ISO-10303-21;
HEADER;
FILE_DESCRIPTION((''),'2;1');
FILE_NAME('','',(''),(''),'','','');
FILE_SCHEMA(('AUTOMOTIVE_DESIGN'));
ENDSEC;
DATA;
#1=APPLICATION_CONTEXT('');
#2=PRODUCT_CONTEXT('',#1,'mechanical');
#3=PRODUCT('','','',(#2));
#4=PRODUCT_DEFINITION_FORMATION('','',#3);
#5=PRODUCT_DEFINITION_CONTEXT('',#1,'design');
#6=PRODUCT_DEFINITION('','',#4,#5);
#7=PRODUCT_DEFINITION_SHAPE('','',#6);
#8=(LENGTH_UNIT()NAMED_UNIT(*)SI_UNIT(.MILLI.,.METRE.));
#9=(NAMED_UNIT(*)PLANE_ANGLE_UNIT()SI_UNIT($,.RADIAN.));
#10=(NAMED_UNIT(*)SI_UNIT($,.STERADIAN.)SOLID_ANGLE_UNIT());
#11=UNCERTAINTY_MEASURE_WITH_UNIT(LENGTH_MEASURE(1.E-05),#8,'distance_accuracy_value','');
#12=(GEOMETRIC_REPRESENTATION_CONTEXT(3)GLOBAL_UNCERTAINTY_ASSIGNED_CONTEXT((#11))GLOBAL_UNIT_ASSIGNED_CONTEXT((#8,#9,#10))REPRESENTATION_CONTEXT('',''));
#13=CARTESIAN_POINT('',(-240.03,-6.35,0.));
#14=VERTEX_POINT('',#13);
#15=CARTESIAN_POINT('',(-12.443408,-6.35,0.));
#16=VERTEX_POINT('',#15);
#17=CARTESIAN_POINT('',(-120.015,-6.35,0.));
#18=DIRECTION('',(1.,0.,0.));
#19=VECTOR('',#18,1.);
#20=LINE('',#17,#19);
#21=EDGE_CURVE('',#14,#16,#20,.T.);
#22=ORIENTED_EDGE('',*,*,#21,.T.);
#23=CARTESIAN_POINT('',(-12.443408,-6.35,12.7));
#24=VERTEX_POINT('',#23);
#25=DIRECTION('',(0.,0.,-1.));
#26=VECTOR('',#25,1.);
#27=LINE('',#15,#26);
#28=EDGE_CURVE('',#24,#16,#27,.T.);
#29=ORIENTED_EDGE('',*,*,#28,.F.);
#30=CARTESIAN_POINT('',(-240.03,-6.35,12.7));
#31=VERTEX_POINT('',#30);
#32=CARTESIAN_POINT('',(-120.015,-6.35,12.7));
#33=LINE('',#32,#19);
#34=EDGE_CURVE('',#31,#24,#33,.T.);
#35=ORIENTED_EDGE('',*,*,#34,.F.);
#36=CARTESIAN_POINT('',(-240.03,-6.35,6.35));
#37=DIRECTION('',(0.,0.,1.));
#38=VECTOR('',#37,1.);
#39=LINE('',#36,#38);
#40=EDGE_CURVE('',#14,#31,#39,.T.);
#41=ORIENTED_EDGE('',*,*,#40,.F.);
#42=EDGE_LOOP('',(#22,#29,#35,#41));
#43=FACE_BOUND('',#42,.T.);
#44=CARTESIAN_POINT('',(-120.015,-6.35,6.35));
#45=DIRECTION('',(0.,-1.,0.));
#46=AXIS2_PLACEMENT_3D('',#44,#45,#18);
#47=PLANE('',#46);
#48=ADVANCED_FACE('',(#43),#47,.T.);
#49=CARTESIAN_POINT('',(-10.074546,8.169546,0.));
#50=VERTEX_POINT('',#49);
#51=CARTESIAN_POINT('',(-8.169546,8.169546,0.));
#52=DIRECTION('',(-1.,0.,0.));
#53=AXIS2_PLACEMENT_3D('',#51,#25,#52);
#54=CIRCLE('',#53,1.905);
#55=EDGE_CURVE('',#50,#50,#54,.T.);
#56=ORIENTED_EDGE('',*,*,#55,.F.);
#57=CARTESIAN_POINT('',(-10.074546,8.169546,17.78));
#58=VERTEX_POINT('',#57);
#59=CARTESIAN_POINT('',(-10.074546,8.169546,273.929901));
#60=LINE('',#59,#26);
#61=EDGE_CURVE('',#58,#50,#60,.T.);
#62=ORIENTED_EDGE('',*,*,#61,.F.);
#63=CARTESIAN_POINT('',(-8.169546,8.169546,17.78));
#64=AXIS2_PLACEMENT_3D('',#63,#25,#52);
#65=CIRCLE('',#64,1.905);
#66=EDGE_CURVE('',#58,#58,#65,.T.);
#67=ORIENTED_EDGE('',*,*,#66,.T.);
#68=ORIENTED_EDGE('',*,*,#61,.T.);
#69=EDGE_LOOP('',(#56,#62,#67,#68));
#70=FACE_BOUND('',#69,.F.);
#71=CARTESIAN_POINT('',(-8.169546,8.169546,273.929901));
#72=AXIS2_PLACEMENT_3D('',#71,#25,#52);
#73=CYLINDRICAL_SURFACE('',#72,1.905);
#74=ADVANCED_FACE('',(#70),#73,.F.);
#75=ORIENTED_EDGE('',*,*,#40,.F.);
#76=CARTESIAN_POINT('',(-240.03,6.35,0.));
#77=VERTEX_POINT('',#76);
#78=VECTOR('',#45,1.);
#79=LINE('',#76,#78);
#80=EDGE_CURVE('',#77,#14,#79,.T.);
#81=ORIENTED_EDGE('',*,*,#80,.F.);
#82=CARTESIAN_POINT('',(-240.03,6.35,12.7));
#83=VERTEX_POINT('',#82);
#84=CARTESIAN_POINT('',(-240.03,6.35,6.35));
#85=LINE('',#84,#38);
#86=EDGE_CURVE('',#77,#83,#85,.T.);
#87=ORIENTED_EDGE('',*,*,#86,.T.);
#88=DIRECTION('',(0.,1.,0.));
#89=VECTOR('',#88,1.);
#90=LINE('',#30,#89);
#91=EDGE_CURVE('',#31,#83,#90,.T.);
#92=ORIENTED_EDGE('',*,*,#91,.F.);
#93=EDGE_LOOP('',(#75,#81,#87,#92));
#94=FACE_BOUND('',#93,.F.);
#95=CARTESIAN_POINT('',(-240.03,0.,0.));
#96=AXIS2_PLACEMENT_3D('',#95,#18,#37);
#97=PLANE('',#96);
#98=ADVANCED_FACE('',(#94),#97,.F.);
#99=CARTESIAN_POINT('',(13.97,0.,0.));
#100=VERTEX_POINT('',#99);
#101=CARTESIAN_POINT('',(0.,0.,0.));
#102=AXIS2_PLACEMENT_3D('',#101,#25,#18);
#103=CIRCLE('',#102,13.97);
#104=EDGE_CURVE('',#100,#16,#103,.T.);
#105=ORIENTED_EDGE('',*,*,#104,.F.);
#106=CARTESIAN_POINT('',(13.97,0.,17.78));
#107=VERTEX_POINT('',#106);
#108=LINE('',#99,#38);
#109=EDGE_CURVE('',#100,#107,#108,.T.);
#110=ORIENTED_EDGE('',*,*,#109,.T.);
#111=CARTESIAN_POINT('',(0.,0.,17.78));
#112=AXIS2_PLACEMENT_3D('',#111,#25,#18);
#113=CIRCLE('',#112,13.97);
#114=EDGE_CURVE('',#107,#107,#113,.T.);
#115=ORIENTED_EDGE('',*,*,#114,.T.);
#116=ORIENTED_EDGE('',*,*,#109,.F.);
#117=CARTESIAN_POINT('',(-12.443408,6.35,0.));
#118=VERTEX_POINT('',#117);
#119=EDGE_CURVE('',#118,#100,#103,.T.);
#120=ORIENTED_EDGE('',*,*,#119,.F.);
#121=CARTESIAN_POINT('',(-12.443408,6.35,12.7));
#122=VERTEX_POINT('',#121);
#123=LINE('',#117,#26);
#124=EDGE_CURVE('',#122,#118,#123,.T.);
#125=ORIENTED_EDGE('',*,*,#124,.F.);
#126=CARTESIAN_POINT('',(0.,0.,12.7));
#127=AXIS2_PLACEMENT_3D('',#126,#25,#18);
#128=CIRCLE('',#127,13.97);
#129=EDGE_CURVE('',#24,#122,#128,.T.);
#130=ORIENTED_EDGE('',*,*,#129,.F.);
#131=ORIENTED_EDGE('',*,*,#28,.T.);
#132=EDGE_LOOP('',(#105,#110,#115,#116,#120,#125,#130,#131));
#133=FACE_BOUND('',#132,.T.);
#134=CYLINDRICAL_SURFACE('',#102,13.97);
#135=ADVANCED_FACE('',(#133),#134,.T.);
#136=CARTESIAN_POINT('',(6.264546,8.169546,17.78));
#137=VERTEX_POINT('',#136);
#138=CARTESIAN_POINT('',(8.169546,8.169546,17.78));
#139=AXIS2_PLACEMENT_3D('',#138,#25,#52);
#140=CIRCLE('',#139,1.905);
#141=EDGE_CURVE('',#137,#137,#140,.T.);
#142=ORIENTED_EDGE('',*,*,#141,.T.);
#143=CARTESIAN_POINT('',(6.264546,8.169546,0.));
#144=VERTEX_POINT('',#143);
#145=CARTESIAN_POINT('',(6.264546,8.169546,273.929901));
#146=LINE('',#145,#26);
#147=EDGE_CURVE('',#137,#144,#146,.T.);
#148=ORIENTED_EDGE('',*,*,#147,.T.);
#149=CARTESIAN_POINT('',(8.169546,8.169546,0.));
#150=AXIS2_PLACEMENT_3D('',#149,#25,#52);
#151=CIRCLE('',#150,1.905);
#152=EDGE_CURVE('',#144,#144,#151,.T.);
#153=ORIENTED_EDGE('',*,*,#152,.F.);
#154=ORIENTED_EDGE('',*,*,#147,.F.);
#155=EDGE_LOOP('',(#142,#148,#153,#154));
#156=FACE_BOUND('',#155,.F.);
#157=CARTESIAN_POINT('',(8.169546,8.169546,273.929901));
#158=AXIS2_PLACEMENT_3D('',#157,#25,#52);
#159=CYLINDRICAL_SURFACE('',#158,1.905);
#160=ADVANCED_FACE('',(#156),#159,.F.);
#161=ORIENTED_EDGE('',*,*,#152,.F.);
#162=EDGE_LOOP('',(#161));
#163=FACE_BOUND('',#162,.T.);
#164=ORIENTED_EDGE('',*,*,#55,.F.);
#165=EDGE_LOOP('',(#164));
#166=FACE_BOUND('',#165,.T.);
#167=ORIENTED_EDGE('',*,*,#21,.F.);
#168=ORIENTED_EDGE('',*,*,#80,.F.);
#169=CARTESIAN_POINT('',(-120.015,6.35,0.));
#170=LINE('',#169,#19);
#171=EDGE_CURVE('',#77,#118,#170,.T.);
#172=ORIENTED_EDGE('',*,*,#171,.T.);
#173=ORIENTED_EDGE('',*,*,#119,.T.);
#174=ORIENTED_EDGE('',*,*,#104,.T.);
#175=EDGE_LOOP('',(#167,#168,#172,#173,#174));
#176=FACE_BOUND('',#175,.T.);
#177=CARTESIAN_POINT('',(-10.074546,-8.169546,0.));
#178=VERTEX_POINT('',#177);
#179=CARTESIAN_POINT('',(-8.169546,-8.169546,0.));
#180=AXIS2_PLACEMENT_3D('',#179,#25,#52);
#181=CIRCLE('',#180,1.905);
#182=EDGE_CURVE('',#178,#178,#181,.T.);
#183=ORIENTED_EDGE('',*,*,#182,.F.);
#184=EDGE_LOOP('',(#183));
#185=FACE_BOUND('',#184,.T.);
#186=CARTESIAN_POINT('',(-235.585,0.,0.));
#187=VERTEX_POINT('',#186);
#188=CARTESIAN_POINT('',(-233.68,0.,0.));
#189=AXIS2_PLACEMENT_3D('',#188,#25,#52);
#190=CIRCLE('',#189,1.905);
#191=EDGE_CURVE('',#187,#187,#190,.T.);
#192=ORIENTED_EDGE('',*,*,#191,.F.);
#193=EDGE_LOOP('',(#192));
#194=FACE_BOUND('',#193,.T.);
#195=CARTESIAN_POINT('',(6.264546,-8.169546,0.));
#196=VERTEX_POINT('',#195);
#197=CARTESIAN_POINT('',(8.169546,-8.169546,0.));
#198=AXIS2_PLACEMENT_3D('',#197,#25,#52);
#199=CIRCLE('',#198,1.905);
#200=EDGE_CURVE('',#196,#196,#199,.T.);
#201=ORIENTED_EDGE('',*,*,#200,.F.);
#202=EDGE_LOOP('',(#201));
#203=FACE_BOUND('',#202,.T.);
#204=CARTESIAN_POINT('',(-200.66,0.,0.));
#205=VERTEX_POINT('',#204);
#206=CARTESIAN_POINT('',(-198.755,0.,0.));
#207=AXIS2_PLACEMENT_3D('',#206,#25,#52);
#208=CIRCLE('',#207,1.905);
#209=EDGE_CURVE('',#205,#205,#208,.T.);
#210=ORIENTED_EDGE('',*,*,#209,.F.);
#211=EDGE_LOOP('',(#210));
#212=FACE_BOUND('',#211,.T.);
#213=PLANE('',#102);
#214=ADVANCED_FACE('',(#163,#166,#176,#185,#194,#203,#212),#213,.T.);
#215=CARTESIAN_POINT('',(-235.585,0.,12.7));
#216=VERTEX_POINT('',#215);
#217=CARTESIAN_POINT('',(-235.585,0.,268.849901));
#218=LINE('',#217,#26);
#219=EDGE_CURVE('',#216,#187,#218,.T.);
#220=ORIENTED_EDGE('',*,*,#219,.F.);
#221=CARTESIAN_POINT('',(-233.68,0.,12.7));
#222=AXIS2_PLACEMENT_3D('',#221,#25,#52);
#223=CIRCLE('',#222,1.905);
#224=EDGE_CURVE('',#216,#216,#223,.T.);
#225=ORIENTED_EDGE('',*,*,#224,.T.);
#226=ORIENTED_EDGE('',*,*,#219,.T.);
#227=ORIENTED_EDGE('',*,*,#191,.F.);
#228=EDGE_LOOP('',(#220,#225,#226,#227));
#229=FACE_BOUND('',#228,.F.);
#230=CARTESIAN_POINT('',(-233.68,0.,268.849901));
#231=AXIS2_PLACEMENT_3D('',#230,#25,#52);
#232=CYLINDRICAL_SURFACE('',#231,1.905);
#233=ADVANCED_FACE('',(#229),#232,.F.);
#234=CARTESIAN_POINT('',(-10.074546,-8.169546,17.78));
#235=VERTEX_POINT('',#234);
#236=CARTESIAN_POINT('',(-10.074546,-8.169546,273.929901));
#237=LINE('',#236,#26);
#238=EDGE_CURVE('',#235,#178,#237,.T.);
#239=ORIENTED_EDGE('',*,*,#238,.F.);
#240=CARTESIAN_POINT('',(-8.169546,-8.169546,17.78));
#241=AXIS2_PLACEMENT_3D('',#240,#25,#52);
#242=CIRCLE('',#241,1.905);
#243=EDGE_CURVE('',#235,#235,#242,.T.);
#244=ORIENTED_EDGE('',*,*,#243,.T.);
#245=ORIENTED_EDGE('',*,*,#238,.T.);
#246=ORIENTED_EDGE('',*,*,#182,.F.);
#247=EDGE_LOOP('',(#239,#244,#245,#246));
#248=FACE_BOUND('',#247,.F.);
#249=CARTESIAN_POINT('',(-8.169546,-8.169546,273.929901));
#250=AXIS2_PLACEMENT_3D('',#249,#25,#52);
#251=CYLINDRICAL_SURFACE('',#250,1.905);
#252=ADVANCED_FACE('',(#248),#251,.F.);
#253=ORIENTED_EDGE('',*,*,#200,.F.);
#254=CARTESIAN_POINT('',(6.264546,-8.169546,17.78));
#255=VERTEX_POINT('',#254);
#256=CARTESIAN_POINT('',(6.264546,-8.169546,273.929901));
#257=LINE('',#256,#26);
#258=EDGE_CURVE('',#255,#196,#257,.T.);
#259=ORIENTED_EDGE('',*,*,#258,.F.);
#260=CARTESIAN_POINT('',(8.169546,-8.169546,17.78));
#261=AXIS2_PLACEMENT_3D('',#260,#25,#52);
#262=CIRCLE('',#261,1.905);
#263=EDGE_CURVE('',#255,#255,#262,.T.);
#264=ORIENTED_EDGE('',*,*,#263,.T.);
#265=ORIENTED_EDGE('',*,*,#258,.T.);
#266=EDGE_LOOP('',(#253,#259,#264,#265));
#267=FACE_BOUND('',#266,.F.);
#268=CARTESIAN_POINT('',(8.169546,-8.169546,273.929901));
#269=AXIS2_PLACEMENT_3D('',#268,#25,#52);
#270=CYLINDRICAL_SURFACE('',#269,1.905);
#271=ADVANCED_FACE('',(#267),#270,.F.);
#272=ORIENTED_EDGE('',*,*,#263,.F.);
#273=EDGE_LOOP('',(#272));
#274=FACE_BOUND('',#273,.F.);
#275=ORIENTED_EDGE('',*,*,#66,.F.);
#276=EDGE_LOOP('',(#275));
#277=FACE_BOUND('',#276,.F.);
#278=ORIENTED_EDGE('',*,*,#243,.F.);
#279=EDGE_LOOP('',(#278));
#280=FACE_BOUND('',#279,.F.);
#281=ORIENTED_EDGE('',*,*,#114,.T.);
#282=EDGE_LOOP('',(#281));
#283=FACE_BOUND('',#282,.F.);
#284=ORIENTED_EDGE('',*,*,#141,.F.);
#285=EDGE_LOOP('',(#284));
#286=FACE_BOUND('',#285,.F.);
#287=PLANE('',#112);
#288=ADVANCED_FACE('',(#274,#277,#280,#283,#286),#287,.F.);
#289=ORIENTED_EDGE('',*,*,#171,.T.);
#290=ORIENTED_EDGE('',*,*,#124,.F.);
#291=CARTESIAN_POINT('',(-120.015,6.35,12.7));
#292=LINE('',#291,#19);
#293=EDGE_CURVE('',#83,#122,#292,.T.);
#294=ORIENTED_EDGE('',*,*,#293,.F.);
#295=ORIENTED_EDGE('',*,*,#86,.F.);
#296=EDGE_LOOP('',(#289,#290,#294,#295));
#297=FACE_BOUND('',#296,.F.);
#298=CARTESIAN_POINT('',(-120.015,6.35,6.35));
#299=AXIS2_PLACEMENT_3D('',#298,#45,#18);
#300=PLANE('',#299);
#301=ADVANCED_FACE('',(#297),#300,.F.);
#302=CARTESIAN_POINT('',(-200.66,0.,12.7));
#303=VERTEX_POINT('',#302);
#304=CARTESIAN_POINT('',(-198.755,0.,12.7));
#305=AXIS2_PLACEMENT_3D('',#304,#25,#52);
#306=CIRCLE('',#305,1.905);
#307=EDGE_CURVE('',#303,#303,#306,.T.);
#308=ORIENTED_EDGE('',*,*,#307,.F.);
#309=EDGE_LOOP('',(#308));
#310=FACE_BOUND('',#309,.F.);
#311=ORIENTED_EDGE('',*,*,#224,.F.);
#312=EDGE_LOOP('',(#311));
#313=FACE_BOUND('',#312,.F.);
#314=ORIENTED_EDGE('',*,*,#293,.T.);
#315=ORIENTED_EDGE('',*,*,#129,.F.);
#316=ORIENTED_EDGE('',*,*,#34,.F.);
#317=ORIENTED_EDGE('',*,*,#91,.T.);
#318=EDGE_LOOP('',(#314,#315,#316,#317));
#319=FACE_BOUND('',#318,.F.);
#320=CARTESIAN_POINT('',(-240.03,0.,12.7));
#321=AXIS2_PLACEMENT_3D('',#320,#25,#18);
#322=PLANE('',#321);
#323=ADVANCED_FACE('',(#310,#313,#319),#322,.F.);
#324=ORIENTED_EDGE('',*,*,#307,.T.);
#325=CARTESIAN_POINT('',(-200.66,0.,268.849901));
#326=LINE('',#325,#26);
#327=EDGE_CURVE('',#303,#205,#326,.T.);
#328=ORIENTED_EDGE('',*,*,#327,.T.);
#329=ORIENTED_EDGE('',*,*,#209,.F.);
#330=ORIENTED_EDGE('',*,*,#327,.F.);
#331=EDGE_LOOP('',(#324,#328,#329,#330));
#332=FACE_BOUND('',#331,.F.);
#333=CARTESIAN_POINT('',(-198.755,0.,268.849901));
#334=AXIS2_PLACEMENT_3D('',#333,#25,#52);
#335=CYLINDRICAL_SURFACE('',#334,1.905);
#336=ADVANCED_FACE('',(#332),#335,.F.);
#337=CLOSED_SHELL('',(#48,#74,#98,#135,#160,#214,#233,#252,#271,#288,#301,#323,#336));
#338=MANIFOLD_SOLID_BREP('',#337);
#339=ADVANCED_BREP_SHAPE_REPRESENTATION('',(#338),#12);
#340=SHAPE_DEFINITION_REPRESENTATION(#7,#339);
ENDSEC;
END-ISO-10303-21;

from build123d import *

# Parameters (mm, degrees)
F0_W          = 240.03
F0_H          = 12.7
F1_DEPTH      = 6.35
F1_DEPTH_BACK = 6.35
F2_R          = 13.97
F3_DEPTH      = 17.78
F5_D          = 3.81
F7_D          = 3.81


with BuildPart() as f1:
    # F0 (on Front) → F1 (new body, two sides)
    with BuildSketch(Plane.XZ) as f1_sk:
        with Locations((-120.015, 6.35)):
            Rectangle(F0_W, F0_H)
    extrude(amount=F1_DEPTH)
    extrude(f1_sk.sketch, amount=-F1_DEPTH_BACK)

    # F2 (on face) → F3 (join)
    with BuildSketch(Plane(origin=(0, 0, 0), x_dir=(1, 0, 0), z_dir=(0, 0, -1))):
        Circle(F2_R)
    extrude(amount=-F3_DEPTH)

    # F5 (through all)
    with Locations(Plane.XY.offset(12.7)):
        with Locations((-233.68, 0), (-198.755, 0)):
            Hole(F5_D / 2)

    # F7 (through all)
    with Locations(Plane.XY.offset(17.78)):
        with Locations((-8.169546, 8.169546), (8.169546, 8.169546), (8.169546, -8.169546), (-8.169546, -8.169546)):
            Hole(F7_D / 2)


solid = f1.part
